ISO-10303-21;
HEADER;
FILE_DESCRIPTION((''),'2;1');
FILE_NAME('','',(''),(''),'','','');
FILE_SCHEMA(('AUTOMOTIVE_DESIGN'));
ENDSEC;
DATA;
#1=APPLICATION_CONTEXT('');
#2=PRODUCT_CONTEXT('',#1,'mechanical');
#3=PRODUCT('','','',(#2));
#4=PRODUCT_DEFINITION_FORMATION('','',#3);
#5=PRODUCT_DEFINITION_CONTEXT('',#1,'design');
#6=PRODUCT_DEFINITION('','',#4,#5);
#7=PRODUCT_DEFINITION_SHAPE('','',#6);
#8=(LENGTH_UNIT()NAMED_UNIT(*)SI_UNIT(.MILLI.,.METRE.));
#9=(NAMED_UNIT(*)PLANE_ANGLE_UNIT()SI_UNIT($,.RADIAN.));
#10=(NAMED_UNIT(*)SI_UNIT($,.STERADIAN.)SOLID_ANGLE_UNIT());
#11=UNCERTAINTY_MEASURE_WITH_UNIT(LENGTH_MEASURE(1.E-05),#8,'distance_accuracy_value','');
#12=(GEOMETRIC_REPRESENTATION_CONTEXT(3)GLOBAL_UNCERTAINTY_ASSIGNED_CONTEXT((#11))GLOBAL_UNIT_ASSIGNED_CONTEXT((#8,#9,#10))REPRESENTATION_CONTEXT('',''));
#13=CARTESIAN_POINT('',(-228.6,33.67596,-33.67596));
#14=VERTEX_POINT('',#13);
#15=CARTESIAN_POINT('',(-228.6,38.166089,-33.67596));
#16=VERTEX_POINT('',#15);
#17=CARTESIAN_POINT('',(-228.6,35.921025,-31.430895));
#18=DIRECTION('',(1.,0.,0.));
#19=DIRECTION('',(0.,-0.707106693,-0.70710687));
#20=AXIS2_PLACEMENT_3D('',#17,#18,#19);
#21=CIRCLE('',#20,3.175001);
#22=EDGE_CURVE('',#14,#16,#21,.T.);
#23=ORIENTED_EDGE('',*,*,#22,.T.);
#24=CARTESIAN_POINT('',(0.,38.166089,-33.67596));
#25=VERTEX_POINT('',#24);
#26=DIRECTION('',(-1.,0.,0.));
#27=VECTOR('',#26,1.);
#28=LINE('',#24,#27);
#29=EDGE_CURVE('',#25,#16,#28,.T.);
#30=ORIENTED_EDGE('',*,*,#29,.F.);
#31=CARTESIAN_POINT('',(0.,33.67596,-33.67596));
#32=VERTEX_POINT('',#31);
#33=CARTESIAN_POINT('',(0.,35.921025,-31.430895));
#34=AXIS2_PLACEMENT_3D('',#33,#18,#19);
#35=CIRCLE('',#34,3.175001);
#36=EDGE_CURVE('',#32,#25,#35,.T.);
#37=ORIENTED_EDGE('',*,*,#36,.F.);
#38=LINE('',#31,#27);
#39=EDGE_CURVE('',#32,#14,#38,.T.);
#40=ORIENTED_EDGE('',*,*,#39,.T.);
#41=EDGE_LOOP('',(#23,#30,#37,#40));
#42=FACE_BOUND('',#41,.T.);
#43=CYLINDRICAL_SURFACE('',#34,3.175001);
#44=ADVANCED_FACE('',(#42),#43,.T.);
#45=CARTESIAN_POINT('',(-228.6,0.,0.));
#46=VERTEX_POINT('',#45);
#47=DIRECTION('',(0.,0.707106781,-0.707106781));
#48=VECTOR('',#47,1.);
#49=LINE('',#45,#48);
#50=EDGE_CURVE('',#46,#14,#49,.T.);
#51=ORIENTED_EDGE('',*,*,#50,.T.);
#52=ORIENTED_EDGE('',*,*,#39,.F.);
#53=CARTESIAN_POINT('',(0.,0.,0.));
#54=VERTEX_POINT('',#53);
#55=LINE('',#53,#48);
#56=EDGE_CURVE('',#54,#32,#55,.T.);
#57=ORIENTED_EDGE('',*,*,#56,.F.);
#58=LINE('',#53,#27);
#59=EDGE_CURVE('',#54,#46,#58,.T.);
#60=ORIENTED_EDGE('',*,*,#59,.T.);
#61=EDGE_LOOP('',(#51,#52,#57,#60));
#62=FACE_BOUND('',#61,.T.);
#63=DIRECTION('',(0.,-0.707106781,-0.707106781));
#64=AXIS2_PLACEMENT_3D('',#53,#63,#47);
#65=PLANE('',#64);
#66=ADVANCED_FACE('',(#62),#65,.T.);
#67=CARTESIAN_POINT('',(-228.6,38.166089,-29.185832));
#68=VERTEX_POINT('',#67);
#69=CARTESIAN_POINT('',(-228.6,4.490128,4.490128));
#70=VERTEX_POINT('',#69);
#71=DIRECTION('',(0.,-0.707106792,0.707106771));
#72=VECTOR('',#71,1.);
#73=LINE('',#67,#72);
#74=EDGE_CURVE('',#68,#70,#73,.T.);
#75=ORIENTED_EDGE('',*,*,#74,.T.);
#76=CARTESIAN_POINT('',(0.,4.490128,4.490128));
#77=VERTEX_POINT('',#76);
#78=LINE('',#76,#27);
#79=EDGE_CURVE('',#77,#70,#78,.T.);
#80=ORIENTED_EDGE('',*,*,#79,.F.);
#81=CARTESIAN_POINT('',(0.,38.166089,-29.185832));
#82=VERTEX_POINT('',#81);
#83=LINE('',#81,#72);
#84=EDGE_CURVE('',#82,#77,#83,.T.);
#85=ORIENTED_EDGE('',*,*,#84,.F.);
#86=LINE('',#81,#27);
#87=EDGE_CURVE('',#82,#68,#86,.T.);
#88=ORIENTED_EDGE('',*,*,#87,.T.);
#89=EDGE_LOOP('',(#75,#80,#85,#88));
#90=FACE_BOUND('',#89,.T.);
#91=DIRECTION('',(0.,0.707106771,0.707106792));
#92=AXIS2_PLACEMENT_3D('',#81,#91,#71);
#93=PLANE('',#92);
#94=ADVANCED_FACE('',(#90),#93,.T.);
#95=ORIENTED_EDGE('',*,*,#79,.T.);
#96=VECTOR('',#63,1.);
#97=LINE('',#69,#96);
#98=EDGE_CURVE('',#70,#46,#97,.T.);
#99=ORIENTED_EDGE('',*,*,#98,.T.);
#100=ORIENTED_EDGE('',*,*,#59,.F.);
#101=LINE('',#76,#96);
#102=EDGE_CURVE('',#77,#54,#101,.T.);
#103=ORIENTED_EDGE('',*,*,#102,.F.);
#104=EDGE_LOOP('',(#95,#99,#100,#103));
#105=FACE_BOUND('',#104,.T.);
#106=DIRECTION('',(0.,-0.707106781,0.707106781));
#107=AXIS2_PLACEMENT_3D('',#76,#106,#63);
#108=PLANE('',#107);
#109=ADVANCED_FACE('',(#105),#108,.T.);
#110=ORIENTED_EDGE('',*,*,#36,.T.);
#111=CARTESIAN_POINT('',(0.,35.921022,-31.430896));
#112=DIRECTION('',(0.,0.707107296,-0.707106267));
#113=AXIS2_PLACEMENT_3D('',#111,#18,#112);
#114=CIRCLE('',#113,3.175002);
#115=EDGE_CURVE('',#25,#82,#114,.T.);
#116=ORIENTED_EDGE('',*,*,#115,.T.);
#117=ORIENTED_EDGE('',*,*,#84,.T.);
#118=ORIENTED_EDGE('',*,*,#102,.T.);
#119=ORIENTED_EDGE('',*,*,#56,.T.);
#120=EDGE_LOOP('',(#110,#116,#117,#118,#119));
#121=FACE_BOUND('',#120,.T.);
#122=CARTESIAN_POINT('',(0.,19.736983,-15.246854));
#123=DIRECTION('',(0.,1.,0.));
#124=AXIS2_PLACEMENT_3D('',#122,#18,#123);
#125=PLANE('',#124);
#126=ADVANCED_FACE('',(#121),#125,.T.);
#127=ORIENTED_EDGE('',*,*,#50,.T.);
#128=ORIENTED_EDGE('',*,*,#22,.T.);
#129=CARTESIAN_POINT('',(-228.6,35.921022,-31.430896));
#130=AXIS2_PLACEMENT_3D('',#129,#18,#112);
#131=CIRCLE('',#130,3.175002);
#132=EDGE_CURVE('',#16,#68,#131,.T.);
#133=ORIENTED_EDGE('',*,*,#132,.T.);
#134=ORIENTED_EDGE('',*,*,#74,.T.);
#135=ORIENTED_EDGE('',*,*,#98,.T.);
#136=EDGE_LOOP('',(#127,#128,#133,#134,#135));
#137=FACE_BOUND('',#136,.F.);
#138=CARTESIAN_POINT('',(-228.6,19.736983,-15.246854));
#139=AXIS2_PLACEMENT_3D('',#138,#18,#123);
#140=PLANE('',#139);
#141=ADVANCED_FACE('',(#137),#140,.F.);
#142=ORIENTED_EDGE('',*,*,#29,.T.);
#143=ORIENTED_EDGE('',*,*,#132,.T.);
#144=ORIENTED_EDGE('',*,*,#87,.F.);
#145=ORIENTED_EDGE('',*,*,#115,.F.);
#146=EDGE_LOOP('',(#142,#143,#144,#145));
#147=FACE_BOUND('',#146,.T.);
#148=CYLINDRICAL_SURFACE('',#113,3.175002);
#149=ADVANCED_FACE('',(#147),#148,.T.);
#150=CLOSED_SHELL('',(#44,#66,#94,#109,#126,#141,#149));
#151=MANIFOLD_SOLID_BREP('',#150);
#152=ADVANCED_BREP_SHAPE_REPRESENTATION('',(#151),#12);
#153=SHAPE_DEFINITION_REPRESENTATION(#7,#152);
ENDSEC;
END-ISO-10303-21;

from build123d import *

# Parameters (mm, degrees)
F1_DEPTH = 228.6


with BuildPart() as f1:
    # F0 (on Right) → F1 (new body)
    with BuildSketch(Plane.YZ):
        with BuildLine():
            Line((4.490128, 4.490128), (0, 0))
            Line((0, 0), (33.67596, -33.67596))
            ThreePointArc((33.67596, -33.67596), (35.921024, -34.605896), (38.166089, -33.67596))
            ThreePointArc((38.166089, -33.67596), (39.096024, -31.430896), (38.166089, -29.185832))
            Line((38.166089, -29.185832), (4.490128, 4.490128))
        make_face()
    extrude(amount=-F1_DEPTH)


solid = f1.part
